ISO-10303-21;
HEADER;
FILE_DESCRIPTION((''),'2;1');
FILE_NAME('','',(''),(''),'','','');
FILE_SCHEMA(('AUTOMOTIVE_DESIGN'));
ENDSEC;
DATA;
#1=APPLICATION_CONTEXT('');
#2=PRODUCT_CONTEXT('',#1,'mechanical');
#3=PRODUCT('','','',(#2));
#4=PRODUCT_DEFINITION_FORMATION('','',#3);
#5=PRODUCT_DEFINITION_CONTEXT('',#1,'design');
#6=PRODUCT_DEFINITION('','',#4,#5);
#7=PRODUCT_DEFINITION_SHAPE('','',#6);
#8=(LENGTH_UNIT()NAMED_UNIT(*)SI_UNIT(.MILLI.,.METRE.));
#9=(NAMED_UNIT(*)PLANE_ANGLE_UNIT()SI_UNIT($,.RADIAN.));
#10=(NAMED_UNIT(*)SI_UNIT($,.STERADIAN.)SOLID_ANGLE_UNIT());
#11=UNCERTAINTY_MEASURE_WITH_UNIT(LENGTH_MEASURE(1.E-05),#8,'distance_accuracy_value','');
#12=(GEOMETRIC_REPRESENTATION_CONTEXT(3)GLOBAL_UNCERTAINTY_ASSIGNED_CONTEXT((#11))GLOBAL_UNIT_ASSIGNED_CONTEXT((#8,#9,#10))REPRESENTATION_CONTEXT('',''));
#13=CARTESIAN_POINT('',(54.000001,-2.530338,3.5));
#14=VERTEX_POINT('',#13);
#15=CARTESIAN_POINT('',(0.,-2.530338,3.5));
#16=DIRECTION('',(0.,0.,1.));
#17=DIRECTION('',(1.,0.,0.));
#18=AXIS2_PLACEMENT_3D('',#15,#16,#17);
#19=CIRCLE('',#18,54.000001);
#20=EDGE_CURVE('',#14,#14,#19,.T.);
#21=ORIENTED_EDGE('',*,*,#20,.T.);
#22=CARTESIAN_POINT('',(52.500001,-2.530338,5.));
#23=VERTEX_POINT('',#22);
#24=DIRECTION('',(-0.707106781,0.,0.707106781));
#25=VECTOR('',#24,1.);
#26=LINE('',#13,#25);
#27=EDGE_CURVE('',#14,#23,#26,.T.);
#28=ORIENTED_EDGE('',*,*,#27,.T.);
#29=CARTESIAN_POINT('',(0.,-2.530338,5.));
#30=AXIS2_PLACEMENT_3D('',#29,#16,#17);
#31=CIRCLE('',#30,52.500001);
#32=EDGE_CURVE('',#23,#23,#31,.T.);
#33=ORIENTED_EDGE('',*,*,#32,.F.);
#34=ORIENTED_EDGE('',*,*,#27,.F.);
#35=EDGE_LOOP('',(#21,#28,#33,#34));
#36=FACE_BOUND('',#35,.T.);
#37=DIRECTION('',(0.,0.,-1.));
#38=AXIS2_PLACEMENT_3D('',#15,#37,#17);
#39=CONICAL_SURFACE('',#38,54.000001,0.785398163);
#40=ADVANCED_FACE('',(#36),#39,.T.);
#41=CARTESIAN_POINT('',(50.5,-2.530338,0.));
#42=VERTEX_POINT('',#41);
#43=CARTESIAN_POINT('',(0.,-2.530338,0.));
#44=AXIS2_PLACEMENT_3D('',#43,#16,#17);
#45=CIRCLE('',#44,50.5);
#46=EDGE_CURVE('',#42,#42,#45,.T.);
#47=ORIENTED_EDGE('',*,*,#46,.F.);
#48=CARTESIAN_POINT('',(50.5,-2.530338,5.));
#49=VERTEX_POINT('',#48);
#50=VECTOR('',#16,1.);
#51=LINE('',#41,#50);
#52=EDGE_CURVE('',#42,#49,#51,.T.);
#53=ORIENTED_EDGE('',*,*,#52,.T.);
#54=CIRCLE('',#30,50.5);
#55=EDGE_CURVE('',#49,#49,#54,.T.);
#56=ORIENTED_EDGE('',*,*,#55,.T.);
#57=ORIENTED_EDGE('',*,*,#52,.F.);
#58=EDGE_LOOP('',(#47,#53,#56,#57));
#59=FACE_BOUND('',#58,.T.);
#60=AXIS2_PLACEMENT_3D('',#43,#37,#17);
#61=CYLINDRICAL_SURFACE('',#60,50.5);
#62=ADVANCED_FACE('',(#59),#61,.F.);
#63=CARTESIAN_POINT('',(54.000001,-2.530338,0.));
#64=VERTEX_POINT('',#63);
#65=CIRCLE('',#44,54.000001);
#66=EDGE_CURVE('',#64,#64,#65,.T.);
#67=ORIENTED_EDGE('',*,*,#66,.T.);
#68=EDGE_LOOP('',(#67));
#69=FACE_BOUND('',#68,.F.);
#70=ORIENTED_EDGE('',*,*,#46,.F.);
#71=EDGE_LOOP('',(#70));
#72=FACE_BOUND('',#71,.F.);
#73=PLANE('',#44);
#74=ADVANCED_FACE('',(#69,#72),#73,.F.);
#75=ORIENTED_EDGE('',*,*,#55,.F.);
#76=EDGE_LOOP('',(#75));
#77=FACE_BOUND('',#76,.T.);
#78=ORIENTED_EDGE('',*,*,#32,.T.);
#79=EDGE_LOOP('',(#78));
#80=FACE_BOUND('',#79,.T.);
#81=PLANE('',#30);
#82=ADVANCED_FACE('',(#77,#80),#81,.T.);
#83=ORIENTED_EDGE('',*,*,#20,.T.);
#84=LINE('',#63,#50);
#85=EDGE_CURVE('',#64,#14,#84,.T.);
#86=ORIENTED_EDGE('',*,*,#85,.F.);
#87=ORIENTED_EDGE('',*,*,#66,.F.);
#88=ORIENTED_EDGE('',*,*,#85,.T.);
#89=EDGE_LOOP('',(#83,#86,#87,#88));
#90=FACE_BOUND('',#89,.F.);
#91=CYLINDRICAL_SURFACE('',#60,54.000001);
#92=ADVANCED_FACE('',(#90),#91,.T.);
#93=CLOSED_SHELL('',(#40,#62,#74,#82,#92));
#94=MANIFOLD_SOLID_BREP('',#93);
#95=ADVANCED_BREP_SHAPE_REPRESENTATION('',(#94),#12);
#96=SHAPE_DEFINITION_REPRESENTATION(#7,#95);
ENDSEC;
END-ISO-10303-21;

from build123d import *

# Parameters (mm, degrees)
F0_R     = 54.000001
F0_R_2   = 50.5
F1_DEPTH = 5
F2_SIZE  = 1.5


with BuildPart() as f1:
    # F0 (on Top) → F1 (new body)
    with BuildSketch(Plane.XY):
        with Locations((0, -2.530338)):
            Circle(F0_R)
        with Locations((0, -2.530338)):
            Circle(F0_R_2, mode=Mode.SUBTRACT)
    extrude(amount=F1_DEPTH)

    # F2
    f2_edges = [f1.edges().sort_by_distance(p)[0] for p in [
        (-54.000001, -2.530338, 5),
    ]]
    chamfer(f2_edges, length=F2_SIZE)


solid = f1.part
